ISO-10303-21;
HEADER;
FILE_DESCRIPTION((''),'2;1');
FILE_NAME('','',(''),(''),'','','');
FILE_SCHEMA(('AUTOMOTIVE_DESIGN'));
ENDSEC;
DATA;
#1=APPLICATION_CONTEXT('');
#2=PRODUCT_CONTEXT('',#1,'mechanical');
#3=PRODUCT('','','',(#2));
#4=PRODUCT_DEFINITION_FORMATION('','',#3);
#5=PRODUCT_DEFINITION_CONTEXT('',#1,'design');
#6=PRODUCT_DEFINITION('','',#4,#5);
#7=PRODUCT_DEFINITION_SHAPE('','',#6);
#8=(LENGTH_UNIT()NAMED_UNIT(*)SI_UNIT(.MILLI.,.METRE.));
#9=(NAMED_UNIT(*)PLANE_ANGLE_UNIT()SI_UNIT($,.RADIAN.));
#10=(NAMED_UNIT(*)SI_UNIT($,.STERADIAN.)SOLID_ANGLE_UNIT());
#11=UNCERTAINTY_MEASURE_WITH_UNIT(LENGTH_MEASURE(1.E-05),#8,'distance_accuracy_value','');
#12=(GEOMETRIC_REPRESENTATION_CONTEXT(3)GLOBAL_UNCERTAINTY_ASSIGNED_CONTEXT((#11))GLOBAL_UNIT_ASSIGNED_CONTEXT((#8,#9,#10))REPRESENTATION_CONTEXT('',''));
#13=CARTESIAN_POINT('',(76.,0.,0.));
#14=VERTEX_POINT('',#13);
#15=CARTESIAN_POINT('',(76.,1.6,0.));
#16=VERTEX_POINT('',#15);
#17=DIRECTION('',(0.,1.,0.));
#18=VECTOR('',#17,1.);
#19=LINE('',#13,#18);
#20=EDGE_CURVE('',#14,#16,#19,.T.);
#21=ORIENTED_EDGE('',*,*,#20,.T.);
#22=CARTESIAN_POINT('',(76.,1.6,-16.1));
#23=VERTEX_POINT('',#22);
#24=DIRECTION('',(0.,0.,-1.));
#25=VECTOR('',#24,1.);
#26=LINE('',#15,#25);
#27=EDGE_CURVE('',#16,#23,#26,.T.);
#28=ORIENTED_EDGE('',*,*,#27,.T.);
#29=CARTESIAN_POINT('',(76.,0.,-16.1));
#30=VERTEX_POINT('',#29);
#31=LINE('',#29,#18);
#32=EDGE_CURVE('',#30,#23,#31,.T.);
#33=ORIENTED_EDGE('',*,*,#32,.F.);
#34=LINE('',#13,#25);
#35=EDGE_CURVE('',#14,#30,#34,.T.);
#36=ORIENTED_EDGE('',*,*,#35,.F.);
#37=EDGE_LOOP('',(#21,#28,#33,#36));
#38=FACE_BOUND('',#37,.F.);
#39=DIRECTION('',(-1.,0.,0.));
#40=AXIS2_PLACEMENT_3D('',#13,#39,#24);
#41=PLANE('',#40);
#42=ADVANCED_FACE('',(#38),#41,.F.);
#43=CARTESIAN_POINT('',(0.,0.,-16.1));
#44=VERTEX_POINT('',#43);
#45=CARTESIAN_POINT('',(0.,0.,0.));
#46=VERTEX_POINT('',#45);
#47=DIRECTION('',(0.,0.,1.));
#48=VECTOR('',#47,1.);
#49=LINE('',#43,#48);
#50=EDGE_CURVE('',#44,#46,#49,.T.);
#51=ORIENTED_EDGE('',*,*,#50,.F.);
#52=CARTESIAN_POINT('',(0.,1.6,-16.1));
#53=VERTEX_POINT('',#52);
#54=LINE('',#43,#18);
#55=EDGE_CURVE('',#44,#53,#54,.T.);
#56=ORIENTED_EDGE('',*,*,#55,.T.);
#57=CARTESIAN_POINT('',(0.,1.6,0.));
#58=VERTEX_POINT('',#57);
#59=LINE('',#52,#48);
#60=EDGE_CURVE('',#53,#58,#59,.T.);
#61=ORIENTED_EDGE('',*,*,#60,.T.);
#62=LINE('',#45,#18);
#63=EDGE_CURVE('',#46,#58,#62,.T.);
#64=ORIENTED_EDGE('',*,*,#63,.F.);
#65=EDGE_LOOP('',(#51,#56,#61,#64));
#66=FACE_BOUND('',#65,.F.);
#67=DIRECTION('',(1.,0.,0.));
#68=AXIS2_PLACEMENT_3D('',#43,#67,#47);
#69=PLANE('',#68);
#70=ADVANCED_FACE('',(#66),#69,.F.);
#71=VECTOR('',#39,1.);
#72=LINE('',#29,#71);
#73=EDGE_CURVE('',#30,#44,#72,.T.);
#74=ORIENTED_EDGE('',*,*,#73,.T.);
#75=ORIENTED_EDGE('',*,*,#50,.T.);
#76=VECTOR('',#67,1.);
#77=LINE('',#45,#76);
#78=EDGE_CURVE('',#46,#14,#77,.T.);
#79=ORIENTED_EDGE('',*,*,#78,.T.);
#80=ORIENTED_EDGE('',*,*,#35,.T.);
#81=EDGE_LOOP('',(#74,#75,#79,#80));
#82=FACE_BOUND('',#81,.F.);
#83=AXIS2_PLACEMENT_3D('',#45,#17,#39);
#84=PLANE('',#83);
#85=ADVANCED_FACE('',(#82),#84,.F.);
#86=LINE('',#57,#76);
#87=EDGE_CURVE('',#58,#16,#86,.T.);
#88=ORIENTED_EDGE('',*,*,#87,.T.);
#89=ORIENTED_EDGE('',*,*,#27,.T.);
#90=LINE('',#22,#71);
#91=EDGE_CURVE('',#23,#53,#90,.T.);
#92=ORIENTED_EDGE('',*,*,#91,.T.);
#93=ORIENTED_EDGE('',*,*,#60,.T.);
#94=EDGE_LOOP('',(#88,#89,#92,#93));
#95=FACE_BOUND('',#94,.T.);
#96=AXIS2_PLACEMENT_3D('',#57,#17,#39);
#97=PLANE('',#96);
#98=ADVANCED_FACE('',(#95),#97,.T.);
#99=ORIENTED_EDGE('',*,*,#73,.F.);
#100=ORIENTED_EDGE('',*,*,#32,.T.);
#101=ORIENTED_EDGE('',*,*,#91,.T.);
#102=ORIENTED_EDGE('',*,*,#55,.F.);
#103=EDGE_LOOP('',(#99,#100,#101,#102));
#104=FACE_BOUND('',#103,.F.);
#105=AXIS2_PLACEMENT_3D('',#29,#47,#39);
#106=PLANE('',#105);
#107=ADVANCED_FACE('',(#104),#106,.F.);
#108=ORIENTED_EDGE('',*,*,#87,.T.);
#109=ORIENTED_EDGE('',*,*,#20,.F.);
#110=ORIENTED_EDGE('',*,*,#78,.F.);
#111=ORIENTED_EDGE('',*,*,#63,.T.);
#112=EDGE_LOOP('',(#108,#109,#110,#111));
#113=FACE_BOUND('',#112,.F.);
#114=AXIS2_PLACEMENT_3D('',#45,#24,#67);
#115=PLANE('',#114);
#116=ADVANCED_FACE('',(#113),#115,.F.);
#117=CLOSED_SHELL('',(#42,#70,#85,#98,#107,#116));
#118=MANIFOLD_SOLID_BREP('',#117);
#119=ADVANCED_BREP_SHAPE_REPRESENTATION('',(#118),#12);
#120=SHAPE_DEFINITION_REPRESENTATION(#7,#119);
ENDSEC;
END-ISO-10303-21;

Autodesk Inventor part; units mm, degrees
ref_plane "YZ Plane" through (0, 0, 0) normal (1, 0, 0) x (0, 1, 0)
ref_plane "XZ Plane" through (0, 0, 0) normal (0, 1, 0) x (-1, 0, 0)
ref_plane "XY Plane" through (0, 0, 0) normal (0, 0, 1) x (1, 0, 0)
sketch "Sketch1" plane through (0, 0, 0) normal (0, 1, 0) x (-1, 0, 0)
  line L0 (0, 0) -> (-76, 0)
  line L1 (-76, 0) -> (-76, -16.1)
  line L2 (-76, -16.1) -> (0, -16.1)
  line L3 (0, -16.1) -> (0, 0)
  dimension "d0" = 76
  dimension "d1" = 16.1
extrude "Extrusion1" add sketch "Sketch1" along normal blind 1.6
properties part number "lcd_controller_pcb"
